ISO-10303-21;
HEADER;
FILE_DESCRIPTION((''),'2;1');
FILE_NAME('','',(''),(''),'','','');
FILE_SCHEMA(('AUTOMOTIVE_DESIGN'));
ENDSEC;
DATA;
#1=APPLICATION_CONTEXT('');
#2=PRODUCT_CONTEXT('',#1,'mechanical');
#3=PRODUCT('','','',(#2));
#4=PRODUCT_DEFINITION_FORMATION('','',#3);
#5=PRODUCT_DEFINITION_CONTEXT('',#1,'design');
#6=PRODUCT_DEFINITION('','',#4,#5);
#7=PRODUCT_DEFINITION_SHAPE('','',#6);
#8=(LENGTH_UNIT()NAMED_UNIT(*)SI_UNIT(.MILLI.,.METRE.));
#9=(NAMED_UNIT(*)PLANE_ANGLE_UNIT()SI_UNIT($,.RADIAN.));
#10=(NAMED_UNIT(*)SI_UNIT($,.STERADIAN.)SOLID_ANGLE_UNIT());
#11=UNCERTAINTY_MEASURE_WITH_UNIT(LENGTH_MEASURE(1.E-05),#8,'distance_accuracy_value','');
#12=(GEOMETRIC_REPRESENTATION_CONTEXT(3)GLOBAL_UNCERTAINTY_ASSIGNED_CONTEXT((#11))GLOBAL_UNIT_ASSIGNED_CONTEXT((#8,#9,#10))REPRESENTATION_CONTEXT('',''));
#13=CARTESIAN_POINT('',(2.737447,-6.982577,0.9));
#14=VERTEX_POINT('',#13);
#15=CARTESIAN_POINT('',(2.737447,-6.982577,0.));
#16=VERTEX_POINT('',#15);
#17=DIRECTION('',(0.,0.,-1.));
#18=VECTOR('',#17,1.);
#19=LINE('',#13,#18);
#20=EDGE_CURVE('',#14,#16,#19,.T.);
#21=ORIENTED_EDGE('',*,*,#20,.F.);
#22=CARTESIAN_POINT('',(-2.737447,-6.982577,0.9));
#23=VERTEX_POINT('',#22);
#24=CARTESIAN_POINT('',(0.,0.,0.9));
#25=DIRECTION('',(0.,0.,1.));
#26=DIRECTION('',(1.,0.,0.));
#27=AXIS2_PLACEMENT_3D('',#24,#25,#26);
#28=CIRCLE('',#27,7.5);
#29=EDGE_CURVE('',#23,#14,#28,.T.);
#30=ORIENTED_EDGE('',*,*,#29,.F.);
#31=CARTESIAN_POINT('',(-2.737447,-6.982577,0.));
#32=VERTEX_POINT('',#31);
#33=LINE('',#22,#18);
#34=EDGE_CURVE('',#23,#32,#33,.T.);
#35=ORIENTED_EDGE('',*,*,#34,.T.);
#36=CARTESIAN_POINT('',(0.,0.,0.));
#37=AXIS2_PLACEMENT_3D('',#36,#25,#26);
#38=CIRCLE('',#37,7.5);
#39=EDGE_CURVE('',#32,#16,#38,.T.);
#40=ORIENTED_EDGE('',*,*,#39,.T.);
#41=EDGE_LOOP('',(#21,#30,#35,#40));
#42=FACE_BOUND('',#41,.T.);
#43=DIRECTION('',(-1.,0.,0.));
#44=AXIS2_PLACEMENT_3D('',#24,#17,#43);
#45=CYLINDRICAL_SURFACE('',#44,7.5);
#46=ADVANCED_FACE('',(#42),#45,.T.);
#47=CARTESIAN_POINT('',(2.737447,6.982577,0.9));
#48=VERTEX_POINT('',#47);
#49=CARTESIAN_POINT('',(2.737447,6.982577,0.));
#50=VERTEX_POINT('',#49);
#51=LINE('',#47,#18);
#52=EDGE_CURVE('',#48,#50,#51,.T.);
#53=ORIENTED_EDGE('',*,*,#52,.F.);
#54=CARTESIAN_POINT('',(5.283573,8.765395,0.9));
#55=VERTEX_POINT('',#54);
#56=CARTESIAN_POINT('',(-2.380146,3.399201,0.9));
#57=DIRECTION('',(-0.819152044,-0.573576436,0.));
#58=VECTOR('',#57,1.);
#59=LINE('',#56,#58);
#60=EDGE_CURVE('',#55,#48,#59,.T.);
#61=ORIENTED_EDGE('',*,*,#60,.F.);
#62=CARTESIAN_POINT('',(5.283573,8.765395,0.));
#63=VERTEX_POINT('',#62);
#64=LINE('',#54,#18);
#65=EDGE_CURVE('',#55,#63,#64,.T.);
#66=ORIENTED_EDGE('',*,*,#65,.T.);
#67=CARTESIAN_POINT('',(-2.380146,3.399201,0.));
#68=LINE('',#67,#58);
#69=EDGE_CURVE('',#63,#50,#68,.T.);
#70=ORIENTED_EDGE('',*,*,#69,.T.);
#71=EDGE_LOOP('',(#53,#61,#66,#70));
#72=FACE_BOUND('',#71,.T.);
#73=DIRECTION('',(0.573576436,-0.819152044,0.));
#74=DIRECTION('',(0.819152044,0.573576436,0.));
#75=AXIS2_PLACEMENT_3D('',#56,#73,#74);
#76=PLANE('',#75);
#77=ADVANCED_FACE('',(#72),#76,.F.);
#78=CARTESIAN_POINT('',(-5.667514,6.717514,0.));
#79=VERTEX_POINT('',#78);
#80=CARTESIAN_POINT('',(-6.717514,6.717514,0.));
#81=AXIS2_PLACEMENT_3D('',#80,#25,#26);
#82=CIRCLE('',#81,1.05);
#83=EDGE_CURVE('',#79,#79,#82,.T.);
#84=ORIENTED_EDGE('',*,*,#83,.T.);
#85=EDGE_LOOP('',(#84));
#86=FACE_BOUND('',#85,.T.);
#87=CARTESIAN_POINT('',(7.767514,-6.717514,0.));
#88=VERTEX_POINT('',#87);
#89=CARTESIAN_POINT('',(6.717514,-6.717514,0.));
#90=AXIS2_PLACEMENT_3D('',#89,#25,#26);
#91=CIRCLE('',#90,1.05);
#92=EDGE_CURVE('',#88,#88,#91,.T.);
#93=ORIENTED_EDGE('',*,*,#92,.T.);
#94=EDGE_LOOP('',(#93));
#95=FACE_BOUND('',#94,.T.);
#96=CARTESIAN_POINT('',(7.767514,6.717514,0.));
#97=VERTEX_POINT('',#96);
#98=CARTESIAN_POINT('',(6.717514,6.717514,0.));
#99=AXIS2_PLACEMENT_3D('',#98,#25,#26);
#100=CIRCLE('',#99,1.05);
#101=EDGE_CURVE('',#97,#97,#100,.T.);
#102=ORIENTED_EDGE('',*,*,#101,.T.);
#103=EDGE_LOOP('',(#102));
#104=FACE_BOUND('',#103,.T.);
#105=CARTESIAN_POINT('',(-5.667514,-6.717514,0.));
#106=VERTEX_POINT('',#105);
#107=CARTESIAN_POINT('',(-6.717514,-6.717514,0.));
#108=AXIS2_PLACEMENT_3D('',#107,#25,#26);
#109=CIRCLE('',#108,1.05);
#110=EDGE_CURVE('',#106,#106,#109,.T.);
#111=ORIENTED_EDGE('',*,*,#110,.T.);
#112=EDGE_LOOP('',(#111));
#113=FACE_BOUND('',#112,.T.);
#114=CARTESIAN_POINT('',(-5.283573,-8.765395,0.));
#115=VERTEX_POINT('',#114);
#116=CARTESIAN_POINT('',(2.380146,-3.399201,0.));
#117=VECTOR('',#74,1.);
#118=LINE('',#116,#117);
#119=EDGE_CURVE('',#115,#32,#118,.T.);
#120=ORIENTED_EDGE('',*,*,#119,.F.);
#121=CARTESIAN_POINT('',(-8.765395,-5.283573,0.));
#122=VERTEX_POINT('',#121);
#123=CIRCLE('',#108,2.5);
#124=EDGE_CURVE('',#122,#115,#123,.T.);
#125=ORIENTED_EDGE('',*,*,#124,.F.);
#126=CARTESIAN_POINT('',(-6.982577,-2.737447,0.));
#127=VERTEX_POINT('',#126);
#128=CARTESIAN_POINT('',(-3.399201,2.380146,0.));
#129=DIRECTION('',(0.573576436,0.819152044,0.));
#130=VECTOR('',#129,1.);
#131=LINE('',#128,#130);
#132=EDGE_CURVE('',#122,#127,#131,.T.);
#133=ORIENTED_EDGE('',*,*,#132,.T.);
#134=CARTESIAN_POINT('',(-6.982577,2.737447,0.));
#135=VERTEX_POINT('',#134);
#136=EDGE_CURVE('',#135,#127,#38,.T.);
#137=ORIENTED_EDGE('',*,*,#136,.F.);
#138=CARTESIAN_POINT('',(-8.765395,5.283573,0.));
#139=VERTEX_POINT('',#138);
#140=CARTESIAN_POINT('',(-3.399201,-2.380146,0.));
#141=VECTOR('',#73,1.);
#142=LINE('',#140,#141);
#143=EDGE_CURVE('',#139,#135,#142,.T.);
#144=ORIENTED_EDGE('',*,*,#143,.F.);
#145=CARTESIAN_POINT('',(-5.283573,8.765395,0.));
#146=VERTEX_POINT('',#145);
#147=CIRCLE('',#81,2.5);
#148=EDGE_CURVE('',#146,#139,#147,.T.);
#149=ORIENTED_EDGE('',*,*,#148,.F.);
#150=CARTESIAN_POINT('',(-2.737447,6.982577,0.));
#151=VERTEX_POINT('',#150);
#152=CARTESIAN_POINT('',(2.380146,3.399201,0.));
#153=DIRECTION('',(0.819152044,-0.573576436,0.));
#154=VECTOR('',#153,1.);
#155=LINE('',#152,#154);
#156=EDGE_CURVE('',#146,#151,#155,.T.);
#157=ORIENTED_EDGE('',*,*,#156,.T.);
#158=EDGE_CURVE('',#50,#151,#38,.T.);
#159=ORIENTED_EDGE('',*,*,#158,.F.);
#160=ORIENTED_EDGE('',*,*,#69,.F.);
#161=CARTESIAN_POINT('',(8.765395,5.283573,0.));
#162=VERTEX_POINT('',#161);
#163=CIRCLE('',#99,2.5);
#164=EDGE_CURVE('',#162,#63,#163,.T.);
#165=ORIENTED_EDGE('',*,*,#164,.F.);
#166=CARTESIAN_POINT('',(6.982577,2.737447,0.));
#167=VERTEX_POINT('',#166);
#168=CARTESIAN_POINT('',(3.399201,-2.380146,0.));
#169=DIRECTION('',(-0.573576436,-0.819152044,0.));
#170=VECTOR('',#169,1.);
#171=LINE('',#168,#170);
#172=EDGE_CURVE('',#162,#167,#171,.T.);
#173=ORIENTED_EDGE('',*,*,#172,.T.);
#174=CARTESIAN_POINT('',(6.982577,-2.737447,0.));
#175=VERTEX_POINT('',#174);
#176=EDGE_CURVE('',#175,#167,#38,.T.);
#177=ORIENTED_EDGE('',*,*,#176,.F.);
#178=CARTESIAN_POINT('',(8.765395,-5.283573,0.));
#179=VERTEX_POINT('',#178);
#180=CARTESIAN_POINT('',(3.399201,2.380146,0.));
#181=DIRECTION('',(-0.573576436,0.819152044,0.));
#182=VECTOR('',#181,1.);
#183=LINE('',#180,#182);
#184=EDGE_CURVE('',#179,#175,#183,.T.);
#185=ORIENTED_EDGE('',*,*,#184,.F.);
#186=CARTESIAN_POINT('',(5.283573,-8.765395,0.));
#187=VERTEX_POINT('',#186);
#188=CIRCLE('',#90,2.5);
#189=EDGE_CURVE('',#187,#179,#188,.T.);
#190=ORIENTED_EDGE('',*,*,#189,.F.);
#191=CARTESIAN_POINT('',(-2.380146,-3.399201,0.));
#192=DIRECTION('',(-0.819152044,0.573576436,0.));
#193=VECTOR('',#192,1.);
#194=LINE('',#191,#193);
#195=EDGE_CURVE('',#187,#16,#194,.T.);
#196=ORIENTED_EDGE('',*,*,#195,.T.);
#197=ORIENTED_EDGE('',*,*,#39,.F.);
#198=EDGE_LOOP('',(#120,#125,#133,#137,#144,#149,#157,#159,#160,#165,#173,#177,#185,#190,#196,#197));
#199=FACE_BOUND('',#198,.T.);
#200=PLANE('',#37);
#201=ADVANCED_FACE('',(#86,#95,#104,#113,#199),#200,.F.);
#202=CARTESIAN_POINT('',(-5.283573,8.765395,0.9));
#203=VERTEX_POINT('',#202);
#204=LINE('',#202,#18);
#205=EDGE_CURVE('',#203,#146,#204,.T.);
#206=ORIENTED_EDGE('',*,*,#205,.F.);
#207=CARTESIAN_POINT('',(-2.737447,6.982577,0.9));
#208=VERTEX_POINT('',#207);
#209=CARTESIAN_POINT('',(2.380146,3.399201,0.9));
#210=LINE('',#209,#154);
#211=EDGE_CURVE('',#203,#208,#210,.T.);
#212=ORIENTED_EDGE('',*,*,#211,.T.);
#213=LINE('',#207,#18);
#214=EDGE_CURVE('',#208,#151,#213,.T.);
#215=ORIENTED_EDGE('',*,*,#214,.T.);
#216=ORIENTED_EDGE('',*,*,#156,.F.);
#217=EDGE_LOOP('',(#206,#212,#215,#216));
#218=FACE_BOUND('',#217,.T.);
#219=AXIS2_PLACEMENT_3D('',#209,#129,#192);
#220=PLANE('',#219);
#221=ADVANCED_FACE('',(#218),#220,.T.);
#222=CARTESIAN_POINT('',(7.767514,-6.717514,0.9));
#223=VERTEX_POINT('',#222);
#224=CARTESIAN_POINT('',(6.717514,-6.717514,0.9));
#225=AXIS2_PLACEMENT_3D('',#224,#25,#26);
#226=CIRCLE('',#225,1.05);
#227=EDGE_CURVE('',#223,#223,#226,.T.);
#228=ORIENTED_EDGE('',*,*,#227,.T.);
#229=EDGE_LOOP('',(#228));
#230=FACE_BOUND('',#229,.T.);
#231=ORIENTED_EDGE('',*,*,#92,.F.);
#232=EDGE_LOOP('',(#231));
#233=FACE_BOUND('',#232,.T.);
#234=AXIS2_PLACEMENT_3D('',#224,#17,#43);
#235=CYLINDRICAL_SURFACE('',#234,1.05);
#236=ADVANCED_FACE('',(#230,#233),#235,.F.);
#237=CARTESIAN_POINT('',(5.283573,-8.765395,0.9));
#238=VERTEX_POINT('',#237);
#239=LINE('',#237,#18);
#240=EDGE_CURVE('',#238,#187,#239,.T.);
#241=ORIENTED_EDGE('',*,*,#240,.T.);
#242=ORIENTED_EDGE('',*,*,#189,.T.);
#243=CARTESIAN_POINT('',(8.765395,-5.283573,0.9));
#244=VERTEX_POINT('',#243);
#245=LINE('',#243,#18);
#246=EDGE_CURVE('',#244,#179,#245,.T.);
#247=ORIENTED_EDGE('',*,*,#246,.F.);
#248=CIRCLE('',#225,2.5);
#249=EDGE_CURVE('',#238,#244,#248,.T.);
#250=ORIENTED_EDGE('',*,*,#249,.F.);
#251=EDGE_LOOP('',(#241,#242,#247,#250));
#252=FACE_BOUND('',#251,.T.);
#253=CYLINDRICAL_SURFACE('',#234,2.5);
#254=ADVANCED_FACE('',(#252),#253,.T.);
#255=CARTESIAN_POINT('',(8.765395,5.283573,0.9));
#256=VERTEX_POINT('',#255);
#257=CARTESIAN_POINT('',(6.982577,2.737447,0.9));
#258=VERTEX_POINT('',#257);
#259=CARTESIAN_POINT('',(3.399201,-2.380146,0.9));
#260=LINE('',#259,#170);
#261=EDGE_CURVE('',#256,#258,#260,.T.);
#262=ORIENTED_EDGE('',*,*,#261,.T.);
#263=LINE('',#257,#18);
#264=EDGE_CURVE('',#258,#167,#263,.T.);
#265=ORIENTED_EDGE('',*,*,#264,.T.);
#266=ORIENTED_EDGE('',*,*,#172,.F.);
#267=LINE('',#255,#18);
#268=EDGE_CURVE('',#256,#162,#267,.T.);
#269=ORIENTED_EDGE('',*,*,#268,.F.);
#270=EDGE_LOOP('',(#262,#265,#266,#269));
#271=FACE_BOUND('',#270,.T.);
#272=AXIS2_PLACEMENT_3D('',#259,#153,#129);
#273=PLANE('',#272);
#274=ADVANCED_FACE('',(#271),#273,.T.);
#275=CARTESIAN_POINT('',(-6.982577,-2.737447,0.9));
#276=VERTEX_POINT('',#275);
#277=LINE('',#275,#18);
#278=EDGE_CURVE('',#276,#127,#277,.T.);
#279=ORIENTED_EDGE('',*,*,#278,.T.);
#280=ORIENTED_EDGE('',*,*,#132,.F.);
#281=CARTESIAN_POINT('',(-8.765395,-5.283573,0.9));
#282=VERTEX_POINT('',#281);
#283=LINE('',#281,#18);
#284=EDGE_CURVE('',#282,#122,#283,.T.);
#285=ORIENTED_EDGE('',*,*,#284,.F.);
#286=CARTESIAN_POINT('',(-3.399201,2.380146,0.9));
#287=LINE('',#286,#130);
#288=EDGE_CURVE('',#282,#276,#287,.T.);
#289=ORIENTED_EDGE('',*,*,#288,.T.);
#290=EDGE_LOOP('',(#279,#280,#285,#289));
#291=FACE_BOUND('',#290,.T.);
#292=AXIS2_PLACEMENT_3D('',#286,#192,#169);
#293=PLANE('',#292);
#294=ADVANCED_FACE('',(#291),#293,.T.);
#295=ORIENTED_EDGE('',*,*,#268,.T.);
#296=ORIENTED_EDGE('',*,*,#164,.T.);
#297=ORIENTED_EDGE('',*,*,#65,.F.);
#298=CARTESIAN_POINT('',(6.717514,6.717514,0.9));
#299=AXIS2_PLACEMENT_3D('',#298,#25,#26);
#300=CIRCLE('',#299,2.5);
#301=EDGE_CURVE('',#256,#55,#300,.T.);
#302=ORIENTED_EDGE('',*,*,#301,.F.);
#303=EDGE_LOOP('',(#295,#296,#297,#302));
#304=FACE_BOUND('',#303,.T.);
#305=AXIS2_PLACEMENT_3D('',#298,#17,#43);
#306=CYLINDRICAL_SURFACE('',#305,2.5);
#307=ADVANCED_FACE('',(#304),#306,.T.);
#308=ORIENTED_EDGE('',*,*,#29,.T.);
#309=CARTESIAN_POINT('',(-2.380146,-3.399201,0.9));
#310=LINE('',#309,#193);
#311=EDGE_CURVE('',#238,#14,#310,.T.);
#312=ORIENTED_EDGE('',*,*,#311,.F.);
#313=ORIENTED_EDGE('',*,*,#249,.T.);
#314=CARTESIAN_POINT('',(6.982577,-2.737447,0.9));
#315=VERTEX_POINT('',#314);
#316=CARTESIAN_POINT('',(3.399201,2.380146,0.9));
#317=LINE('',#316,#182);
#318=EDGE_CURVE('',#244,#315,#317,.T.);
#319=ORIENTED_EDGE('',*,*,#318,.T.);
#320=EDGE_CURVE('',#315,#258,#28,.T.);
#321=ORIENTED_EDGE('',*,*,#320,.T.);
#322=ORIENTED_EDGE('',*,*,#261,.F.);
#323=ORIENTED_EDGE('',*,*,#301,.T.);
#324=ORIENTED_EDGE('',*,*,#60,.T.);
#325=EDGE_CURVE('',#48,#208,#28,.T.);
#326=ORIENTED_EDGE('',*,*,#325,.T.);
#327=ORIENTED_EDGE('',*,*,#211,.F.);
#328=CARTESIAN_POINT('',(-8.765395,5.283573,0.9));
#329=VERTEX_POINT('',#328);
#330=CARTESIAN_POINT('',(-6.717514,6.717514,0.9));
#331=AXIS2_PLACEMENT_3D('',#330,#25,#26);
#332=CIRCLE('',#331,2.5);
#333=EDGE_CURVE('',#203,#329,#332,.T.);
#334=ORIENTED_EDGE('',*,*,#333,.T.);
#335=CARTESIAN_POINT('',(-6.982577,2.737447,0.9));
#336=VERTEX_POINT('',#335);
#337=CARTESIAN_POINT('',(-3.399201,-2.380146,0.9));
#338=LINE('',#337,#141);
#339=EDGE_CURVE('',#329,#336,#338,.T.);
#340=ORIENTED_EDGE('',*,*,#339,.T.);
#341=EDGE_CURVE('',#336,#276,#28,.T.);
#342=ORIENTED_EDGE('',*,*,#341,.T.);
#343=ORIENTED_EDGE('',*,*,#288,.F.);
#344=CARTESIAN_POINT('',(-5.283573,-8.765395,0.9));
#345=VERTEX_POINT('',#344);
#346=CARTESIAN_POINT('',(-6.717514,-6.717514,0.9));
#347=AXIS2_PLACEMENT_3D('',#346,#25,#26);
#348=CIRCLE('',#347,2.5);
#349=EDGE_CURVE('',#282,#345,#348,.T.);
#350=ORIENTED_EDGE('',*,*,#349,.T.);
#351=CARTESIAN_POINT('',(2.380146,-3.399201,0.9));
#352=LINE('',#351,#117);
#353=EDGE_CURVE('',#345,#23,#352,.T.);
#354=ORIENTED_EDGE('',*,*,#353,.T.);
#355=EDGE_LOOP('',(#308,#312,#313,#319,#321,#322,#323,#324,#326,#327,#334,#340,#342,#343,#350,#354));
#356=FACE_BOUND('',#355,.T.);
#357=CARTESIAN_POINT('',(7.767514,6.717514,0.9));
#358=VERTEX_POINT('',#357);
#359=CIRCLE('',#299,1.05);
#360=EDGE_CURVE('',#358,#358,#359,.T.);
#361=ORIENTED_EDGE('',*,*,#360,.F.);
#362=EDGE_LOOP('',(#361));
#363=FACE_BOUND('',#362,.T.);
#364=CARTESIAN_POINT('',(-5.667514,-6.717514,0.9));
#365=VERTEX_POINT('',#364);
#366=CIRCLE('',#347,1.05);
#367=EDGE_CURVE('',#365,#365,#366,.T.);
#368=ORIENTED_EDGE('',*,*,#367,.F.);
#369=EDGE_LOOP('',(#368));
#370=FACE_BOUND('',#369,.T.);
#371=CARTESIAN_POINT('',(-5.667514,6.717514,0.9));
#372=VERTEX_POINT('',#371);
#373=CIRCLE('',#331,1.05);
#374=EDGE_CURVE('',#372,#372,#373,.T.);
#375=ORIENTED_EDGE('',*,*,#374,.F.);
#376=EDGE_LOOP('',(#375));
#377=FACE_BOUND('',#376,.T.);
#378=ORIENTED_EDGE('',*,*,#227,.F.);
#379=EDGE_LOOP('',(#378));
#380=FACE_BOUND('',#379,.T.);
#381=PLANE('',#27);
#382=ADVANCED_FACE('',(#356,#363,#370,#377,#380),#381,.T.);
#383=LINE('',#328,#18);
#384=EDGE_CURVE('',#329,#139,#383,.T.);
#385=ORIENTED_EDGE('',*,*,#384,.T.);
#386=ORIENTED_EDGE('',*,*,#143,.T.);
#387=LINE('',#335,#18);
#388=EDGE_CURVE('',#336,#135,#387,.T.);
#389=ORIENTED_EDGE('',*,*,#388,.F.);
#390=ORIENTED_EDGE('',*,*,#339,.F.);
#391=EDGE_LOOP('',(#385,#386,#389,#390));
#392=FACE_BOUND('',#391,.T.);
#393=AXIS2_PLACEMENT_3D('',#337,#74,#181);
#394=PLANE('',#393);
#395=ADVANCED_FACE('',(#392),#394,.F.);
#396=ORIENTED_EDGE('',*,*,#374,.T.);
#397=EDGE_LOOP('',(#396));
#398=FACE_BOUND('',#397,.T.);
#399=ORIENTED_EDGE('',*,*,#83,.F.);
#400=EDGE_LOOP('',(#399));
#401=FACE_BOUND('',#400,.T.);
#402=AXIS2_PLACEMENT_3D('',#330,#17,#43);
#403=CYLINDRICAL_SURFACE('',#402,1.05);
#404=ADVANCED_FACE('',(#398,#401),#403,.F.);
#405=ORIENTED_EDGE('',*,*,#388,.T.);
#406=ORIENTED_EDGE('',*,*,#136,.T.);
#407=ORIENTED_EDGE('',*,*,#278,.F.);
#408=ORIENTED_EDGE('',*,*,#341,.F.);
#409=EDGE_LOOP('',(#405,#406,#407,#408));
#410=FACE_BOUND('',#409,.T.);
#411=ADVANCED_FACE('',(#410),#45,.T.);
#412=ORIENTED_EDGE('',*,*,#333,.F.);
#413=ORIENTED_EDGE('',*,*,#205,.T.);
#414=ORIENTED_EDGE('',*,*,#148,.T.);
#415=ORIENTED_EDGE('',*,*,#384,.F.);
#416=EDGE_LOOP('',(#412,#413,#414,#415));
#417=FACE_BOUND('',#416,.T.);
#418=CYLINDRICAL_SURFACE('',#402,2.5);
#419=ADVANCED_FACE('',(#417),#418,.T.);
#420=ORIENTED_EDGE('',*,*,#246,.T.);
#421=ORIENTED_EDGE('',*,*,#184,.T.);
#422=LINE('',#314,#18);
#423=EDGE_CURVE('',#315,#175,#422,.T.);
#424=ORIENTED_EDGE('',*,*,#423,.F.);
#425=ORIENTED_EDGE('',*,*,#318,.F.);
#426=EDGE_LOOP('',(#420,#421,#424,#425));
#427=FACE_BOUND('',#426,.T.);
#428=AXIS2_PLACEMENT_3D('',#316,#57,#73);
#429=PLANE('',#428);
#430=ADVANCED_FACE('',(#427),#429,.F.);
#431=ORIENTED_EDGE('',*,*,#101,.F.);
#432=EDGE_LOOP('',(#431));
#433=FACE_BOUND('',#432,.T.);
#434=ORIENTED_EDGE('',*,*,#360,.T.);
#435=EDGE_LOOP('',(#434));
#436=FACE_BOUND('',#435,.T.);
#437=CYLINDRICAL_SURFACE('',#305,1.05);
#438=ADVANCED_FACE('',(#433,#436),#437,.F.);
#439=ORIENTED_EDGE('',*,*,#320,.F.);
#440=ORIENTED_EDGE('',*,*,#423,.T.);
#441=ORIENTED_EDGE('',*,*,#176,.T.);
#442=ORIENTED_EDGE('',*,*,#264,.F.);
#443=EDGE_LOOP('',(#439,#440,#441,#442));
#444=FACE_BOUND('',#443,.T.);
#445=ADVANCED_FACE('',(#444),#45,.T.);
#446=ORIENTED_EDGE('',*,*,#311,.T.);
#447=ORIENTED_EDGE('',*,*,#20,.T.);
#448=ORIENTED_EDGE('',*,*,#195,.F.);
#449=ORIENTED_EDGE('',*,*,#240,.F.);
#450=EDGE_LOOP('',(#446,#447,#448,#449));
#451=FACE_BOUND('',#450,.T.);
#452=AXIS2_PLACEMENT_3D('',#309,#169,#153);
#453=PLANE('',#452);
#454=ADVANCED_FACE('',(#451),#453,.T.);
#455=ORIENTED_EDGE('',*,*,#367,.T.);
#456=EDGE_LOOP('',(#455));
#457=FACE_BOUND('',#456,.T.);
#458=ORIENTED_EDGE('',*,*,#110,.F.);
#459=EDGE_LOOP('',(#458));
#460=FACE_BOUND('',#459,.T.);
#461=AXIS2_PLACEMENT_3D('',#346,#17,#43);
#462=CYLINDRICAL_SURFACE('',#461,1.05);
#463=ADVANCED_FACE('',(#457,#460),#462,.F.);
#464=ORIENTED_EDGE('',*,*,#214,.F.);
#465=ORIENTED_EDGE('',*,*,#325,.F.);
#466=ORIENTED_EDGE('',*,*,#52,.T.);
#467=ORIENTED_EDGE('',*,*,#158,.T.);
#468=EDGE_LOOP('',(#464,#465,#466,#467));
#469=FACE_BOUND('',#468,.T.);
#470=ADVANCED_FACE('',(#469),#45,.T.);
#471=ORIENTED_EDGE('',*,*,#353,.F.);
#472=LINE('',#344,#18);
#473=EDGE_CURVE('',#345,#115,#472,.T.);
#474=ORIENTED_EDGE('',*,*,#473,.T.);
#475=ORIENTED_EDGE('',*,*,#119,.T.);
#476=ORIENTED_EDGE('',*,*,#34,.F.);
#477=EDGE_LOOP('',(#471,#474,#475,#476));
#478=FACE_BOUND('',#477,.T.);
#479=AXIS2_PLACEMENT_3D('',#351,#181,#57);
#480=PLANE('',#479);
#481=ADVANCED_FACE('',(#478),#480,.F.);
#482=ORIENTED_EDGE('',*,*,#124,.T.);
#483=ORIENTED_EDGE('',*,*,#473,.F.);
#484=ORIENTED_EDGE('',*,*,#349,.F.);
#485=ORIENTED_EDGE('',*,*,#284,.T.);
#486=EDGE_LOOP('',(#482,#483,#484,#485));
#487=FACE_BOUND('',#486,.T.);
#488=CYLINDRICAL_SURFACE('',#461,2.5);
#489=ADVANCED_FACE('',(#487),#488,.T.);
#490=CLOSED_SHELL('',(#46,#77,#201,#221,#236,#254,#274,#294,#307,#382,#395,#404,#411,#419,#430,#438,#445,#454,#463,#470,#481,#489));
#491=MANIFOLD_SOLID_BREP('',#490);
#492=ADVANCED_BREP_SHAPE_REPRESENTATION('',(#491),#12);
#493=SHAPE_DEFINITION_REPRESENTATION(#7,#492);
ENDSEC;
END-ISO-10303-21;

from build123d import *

# Parameters (mm, degrees)
SKETCH_1_R      = 1.05
EXTRUDE_1_DEPTH = 0.9


with BuildPart() as part:
    # Эскиз1 → Бобышка-Вытянуть1 (new body)
    with BuildSketch(Plane.XY):
        with BuildLine():
            ThreePointArc((-6.982577353, 2.73744653), (-7.5, 0), (-6.982577353, -2.73744653))
            Line((-6.982577353, -2.73744653), (-8.765394532, -5.28357333))
            ThreePointArc((-8.765394532, -5.28357333), (-8.485281374, -8.485281374), (-5.28357333, -8.765394532))
            Line((-5.28357333, -8.765394532), (-2.73744653, -6.982577353))
            ThreePointArc((-2.73744653, -6.982577353), (0, -7.5), (2.73744653, -6.982577353))
            Line((2.73744653, -6.982577353), (5.28357333, -8.765394532))
            ThreePointArc((5.28357333, -8.765394532), (8.485281374, -8.485281374), (8.765394532, -5.28357333))
            Line((8.765394532, -5.28357333), (6.982577353, -2.73744653))
            ThreePointArc((6.982577353, -2.73744653), (7.5, 0), (6.982577353, 2.73744653))
            Line((6.982577353, 2.73744653), (8.765394532, 5.28357333))
            ThreePointArc((8.765394532, 5.28357333), (8.485281374, 8.485281374), (5.28357333, 8.765394532))
            Line((5.28357333, 8.765394532), (2.73744653, 6.982577353))
            ThreePointArc((2.73744653, 6.982577353), (0, 7.5), (-2.73744653, 6.982577353))
            Line((-2.73744653, 6.982577353), (-5.28357333, 8.765394532))
            ThreePointArc((-5.28357333, 8.765394532), (-8.485281374, 8.485281374), (-8.765394532, 5.28357333))
            Line((-8.765394532, 5.28357333), (-6.982577353, 2.73744653))
        make_face()
        with Locations((-6.717514421, -6.717514421)):
            Circle(SKETCH_1_R, mode=Mode.SUBTRACT)
        with Locations((6.717514421, -6.717514421)):
            Circle(SKETCH_1_R, mode=Mode.SUBTRACT)
        with Locations((-6.717514421, 6.717514421)):
            Circle(SKETCH_1_R, mode=Mode.SUBTRACT)
        with Locations((6.717514421, 6.717514421)):
            Circle(SKETCH_1_R, mode=Mode.SUBTRACT)
    extrude(amount=EXTRUDE_1_DEPTH)


solid = part.part
